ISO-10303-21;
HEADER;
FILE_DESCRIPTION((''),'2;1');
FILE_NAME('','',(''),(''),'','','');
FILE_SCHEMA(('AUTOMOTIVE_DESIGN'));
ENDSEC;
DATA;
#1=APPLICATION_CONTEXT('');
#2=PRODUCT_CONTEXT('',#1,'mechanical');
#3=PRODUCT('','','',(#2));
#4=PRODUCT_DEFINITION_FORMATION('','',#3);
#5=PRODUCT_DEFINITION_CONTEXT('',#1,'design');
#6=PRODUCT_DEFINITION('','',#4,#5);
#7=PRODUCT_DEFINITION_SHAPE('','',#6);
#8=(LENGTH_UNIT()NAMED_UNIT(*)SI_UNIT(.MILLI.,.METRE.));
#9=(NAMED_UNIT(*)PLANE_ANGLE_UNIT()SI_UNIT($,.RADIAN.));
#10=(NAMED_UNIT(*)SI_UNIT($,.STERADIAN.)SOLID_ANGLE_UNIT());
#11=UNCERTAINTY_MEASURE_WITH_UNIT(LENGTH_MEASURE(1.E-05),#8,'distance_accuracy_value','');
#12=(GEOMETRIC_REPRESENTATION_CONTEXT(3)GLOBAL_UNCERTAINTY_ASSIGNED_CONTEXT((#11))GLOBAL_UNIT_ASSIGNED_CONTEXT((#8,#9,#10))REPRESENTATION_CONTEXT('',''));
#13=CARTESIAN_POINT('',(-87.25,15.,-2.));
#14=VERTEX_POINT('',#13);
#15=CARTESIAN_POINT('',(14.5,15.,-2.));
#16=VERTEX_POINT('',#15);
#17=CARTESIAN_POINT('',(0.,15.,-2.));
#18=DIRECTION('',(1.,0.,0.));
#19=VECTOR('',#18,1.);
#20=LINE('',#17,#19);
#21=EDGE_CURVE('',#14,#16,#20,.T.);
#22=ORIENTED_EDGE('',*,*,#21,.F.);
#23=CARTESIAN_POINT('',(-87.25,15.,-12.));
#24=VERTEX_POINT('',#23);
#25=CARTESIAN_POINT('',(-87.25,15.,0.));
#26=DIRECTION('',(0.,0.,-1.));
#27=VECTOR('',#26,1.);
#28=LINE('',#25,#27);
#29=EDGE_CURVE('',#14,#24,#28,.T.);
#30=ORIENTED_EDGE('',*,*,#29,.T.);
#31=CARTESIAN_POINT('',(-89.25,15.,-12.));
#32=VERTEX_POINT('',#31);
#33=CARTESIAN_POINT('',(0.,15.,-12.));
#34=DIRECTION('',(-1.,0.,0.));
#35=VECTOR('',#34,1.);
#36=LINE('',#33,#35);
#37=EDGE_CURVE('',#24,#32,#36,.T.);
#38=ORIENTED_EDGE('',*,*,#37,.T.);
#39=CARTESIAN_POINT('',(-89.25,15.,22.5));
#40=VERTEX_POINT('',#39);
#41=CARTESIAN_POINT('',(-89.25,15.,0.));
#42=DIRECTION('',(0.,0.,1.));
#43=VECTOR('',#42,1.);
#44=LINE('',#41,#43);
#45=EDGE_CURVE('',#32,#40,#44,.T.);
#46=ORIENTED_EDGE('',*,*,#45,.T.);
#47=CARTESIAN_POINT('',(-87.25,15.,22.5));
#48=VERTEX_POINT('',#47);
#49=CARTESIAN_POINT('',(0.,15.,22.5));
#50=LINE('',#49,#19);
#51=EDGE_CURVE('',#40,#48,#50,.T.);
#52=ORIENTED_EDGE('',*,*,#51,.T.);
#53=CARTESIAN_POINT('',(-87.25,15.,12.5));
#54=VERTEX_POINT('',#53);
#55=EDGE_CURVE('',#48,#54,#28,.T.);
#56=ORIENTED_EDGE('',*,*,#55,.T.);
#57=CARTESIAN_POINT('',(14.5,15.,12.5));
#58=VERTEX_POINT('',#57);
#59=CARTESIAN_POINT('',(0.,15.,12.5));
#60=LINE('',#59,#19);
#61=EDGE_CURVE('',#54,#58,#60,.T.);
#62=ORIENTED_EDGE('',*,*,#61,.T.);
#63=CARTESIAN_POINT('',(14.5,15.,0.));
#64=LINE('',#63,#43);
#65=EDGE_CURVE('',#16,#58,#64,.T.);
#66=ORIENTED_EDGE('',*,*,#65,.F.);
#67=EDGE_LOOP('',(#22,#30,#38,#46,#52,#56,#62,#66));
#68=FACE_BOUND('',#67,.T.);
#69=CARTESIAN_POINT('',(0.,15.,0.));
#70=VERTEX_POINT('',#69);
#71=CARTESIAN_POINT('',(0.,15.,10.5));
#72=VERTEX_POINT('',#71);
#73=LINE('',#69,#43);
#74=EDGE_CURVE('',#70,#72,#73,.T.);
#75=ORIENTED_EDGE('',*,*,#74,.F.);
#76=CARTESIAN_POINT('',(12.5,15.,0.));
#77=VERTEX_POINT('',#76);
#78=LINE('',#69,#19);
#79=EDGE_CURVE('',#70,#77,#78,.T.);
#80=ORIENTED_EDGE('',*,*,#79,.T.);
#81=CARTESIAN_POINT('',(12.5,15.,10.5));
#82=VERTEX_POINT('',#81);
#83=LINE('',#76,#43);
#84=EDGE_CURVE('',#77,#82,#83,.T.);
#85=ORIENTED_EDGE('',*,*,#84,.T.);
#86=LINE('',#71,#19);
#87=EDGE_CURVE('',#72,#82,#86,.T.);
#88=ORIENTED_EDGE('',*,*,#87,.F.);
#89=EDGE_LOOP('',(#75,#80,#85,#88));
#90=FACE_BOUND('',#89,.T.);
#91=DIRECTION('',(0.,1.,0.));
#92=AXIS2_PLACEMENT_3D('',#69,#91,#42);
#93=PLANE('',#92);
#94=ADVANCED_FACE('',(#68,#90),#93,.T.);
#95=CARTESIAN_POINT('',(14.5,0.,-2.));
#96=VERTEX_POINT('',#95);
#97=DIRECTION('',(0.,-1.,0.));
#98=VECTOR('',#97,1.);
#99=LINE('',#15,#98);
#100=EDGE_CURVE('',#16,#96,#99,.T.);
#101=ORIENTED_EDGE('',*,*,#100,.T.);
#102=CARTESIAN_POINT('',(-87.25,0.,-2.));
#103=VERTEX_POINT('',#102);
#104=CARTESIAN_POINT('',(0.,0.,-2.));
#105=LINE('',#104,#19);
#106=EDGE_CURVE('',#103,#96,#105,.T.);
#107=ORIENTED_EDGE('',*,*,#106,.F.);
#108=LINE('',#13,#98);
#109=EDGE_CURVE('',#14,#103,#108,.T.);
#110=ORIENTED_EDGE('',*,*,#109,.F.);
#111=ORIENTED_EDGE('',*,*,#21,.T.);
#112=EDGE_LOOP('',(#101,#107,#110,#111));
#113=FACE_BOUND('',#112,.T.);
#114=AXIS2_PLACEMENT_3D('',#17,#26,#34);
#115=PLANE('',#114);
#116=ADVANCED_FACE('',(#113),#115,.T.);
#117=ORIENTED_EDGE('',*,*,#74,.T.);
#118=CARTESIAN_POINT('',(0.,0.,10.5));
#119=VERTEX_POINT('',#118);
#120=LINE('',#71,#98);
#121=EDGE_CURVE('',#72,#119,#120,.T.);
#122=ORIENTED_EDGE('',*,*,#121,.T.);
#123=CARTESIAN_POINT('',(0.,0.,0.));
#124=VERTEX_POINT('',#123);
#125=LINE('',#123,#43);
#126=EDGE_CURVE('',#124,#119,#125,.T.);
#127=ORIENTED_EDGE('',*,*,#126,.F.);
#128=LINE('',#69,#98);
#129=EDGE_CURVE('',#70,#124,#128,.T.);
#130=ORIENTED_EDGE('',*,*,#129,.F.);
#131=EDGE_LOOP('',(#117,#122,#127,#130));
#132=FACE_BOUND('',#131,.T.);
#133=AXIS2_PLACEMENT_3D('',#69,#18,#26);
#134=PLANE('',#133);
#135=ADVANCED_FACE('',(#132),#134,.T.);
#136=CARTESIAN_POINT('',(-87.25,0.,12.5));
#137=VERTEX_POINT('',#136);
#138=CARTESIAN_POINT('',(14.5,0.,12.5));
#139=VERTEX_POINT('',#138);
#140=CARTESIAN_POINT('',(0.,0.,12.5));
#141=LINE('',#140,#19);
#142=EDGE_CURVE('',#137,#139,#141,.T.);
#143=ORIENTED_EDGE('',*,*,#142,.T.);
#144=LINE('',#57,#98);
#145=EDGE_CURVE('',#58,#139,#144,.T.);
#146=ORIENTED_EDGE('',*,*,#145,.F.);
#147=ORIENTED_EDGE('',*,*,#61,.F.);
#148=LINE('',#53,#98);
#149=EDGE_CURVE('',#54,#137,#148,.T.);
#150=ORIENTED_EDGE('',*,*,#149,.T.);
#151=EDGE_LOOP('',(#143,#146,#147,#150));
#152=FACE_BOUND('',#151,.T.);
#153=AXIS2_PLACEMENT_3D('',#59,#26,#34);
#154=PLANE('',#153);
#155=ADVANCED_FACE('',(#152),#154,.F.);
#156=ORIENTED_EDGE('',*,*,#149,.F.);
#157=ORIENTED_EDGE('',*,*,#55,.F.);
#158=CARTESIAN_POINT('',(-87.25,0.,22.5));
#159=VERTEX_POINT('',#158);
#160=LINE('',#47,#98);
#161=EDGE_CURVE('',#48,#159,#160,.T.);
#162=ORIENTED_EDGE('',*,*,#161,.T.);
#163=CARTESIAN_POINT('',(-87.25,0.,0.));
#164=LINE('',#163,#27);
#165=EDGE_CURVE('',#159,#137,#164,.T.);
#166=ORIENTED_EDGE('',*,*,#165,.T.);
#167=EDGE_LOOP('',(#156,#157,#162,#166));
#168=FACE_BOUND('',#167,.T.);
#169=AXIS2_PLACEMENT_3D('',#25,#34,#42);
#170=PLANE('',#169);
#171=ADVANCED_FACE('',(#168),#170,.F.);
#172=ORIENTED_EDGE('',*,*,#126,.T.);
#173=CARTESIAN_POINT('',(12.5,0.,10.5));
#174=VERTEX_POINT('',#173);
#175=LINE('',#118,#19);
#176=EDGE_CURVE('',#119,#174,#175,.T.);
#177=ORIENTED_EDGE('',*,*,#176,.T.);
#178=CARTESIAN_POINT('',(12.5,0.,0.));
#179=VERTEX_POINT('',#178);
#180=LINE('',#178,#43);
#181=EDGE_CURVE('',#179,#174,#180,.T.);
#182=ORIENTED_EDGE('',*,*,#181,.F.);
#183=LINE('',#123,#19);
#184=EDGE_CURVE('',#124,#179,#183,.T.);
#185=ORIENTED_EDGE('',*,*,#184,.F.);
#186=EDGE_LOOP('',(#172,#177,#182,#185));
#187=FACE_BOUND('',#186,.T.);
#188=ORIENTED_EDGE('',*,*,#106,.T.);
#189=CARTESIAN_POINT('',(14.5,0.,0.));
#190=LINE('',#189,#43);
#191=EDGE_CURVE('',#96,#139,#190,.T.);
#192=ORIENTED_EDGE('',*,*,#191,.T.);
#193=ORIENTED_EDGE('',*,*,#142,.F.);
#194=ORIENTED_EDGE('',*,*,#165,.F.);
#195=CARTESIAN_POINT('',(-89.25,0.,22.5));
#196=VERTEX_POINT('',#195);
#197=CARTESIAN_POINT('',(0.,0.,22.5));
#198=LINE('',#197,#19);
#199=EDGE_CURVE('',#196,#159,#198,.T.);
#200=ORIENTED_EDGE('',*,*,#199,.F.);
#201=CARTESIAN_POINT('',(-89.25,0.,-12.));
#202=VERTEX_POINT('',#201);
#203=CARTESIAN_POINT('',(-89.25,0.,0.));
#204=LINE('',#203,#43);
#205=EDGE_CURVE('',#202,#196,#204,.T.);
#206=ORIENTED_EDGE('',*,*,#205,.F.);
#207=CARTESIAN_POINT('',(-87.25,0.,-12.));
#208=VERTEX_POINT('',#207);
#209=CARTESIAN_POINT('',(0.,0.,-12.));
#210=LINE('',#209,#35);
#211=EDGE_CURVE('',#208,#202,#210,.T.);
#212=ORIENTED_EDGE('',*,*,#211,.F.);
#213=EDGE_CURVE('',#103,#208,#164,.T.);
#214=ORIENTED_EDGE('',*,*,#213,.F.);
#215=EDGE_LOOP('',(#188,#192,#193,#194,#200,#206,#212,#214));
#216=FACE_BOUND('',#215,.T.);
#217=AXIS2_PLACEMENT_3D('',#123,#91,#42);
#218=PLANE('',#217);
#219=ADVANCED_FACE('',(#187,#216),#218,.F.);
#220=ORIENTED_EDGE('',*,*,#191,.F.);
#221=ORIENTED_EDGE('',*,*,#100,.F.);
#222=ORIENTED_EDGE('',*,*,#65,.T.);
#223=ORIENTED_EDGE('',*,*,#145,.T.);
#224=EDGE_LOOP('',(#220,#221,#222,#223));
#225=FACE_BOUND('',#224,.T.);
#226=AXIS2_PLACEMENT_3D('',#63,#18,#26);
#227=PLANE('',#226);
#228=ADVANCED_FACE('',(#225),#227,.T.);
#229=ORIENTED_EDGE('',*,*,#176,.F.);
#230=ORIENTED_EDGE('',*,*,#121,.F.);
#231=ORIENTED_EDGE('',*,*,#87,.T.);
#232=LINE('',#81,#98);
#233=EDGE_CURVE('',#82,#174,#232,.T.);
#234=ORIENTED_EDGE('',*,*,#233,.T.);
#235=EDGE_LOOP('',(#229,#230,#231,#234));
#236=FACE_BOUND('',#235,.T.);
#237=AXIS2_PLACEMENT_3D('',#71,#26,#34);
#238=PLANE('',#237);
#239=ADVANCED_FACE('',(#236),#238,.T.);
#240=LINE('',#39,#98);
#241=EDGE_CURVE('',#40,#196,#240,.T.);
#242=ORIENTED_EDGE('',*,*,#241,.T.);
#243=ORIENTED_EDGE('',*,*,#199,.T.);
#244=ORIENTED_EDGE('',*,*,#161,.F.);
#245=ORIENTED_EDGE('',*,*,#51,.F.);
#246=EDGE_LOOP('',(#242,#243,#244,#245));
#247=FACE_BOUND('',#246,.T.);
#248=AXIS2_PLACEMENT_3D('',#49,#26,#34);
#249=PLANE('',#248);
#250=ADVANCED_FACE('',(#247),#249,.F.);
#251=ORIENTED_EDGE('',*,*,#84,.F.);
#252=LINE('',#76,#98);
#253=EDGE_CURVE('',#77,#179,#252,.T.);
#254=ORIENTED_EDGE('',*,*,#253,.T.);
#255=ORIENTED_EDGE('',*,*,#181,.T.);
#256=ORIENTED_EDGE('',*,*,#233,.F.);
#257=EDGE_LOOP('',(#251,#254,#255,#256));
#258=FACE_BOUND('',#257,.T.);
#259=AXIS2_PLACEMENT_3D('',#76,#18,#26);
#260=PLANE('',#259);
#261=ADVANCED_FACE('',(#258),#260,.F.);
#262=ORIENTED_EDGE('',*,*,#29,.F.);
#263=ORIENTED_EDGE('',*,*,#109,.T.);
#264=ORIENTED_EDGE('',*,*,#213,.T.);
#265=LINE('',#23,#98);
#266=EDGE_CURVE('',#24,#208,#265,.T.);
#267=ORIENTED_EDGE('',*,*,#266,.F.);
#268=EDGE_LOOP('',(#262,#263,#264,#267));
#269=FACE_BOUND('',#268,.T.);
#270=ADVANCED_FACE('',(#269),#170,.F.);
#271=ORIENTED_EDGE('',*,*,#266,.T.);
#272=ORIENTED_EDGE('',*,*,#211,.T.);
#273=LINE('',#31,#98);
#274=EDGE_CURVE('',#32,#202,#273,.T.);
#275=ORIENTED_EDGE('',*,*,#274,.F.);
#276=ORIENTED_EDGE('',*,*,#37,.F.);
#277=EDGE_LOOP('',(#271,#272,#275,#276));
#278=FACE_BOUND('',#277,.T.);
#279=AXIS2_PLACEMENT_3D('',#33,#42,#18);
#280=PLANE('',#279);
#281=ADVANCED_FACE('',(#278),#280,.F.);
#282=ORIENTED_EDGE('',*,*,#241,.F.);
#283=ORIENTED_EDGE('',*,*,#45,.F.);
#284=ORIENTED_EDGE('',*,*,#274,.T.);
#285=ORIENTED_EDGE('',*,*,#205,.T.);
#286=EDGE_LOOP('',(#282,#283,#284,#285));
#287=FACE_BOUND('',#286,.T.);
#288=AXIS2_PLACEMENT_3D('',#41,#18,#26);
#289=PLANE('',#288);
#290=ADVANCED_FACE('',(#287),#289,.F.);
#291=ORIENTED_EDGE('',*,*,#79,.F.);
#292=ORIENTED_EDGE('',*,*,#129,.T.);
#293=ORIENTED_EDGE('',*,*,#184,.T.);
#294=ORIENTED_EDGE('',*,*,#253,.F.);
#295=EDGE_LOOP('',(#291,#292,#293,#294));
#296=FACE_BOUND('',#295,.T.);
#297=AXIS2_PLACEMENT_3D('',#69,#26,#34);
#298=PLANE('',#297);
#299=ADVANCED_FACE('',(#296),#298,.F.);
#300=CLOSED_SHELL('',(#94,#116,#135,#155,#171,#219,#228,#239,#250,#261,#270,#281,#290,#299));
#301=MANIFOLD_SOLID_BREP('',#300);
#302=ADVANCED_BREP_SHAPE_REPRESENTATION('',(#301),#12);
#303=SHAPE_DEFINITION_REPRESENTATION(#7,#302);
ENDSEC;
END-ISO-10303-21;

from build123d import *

# Parameters (mm, degrees)
SKETCH1_W           = 12.5
SKETCH1_H           = 10.5
BOSS_EXTRUDE2_DEPTH = 15


with BuildPart() as part:
    # Sketch1 → Boss-Extrude2 (new body)
    with BuildSketch(Plane(origin=(0, 0, 0), x_dir=(1, 0, 0), z_dir=(0, 1, 0))):
        Polygon((-87.25, -22.5), (-87.25, -12.5), (-2, -12.5), (14.5, -12.5), (14.5, 2), (-2, 2), (-87.25, 2), (-87.25, 12), (-89.25, 12), (-89.25, -22.5), align=None)
        with Locations((6.25, -5.25)):
            Rectangle(SKETCH1_W, SKETCH1_H, mode=Mode.SUBTRACT)
    extrude(amount=BOSS_EXTRUDE2_DEPTH)


solid = part.part
